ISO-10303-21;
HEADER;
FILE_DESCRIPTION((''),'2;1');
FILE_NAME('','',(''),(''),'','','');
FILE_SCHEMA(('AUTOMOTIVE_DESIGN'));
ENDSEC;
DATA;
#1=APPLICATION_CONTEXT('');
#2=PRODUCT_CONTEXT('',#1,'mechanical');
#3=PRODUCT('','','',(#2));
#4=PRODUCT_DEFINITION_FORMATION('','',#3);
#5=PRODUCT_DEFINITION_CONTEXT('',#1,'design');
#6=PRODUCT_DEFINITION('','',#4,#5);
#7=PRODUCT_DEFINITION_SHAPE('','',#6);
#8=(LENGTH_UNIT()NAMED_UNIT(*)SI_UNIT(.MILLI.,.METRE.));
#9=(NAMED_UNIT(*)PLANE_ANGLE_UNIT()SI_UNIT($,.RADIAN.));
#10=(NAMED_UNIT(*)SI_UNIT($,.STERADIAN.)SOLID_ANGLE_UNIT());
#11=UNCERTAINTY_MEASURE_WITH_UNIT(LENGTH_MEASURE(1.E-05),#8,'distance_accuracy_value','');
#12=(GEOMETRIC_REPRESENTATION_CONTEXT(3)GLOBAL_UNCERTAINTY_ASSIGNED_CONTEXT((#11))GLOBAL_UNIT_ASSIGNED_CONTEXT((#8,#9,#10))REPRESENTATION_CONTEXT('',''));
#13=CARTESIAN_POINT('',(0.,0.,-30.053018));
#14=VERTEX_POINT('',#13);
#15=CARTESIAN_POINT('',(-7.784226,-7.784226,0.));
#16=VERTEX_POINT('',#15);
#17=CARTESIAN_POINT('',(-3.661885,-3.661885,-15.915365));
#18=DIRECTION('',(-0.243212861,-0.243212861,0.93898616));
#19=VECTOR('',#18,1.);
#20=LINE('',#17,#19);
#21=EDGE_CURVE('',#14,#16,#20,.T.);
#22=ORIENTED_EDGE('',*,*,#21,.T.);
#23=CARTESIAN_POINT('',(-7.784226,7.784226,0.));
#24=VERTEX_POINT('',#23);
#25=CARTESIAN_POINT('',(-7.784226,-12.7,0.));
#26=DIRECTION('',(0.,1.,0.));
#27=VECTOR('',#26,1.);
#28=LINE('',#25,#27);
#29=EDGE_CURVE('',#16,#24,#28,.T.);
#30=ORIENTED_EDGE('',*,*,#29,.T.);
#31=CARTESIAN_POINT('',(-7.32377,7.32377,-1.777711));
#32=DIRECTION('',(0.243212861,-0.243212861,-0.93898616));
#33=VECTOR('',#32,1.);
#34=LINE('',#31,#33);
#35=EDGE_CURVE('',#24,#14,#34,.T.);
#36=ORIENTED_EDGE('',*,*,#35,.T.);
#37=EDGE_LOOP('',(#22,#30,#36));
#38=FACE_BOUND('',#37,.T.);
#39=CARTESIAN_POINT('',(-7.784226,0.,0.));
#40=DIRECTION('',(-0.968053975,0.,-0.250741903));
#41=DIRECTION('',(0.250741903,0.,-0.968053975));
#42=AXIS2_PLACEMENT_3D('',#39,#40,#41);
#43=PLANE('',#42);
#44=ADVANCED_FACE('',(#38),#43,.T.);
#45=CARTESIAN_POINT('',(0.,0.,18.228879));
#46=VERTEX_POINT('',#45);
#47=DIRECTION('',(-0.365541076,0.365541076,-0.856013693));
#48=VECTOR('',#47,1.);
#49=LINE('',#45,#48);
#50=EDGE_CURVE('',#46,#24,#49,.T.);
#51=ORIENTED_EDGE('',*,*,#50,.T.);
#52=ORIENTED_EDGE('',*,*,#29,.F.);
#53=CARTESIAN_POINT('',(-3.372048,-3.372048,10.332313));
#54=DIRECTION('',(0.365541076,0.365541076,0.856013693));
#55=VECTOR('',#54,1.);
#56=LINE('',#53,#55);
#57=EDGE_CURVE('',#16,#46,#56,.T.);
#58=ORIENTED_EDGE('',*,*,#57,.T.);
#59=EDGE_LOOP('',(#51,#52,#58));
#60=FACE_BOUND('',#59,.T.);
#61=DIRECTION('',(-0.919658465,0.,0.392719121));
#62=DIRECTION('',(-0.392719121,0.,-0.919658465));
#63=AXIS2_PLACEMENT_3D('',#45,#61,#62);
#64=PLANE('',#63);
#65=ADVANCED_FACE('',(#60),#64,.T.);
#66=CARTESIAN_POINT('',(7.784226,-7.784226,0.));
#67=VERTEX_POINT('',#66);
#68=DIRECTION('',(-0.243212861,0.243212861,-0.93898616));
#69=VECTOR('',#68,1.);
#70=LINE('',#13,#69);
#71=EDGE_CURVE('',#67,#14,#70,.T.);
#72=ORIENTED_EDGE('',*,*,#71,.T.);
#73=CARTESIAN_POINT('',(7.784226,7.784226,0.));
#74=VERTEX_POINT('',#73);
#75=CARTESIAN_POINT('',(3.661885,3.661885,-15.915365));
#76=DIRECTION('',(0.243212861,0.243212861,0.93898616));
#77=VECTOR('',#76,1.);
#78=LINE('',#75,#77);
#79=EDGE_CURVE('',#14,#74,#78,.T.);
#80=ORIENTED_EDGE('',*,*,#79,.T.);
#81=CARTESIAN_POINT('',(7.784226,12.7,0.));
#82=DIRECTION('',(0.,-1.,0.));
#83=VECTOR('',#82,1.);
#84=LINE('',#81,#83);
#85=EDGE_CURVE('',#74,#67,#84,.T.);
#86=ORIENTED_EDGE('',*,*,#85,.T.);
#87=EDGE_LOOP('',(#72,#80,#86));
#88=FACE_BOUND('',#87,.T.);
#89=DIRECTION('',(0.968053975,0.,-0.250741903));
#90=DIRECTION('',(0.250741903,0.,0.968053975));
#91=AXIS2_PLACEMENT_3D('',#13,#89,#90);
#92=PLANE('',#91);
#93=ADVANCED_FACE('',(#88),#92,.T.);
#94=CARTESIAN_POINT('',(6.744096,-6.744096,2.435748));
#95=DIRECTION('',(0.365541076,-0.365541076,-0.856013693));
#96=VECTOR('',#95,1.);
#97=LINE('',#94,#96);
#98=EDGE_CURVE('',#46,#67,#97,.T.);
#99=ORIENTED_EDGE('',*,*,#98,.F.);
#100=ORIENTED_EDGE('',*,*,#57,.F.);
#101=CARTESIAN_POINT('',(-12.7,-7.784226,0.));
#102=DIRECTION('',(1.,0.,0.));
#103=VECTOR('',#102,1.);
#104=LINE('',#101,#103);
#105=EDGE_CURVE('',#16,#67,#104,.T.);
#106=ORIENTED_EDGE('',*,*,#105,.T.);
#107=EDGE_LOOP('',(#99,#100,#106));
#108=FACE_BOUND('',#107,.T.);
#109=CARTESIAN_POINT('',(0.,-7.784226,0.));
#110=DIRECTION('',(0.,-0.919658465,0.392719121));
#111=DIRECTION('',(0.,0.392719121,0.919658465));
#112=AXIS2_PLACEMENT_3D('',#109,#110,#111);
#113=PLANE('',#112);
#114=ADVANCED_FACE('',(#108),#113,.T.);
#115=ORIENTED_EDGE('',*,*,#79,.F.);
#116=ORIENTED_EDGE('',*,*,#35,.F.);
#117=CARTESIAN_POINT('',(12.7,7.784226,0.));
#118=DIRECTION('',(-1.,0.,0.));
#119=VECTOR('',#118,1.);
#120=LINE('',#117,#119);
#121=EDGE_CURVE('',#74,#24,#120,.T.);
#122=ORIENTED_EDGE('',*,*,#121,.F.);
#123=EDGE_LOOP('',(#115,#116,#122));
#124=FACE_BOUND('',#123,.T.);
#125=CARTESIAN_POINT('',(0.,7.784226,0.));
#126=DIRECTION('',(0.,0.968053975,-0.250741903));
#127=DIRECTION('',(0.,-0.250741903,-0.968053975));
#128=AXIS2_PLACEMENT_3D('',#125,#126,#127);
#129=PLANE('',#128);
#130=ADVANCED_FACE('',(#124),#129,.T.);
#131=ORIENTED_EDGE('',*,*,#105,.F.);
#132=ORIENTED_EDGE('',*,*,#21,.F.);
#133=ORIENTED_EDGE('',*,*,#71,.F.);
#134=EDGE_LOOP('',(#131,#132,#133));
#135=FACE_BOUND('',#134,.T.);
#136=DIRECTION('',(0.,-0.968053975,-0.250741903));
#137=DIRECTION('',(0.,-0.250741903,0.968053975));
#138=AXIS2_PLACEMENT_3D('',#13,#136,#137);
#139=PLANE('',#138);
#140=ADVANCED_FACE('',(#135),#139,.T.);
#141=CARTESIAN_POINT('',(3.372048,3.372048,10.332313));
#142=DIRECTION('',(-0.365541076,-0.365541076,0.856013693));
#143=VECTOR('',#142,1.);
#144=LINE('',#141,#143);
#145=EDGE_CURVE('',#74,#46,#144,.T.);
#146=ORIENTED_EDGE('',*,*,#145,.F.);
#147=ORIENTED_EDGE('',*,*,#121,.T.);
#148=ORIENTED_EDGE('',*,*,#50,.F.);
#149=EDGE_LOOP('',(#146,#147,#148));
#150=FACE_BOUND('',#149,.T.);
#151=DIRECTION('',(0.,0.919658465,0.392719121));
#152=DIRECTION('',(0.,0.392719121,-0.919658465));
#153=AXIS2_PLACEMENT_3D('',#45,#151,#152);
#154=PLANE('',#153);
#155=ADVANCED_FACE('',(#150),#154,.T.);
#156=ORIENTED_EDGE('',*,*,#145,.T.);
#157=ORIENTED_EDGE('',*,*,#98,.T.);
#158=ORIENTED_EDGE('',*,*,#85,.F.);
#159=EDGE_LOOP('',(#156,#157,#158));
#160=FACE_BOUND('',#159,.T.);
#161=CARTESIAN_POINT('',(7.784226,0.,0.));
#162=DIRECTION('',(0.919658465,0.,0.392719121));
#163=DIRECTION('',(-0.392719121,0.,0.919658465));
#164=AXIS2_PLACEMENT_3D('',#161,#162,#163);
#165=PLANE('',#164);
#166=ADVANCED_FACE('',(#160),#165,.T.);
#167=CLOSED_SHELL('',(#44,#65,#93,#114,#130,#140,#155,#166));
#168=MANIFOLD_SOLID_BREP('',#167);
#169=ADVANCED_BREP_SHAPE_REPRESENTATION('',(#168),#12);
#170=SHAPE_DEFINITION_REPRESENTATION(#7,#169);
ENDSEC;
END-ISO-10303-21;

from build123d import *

# Parameters (mm, degrees)
F3_DEPTH = 12.7
F4_DEPTH = 12.7
F5_ANGLE = 90


with BuildPart() as f3:
    # F0 (on Front) → F3 (new body, symmetric)
    with BuildSketch(Plane.XZ):
        Polygon((7.784226, 0), (0, 18.228879), (-7.784226, 0), (0, -30.053018), align=None)
    extrude(amount=F3_DEPTH, both=True)


with BuildPart() as f4:
    # F1 (on Front) → F4 (new body, symmetric)
    with BuildSketch(Plane.XZ):
        Polygon((-7.784226, 0), (0, -30.053018), (7.784226, 0), (0, 18.228879), align=None)
    extrude(amount=F4_DEPTH, both=True)


with BuildPart() as f3_1:
    # F5: moved
    add(f3.part.rotate(Axis((0, 0, -12.11974), (0, 0, -1)), F5_ANGLE))


with BuildPart() as f4_1:
    add(f4.part)

    # F6: intersect F3
    add(f3_1.part, mode=Mode.INTERSECT)


solid = f4_1.part
